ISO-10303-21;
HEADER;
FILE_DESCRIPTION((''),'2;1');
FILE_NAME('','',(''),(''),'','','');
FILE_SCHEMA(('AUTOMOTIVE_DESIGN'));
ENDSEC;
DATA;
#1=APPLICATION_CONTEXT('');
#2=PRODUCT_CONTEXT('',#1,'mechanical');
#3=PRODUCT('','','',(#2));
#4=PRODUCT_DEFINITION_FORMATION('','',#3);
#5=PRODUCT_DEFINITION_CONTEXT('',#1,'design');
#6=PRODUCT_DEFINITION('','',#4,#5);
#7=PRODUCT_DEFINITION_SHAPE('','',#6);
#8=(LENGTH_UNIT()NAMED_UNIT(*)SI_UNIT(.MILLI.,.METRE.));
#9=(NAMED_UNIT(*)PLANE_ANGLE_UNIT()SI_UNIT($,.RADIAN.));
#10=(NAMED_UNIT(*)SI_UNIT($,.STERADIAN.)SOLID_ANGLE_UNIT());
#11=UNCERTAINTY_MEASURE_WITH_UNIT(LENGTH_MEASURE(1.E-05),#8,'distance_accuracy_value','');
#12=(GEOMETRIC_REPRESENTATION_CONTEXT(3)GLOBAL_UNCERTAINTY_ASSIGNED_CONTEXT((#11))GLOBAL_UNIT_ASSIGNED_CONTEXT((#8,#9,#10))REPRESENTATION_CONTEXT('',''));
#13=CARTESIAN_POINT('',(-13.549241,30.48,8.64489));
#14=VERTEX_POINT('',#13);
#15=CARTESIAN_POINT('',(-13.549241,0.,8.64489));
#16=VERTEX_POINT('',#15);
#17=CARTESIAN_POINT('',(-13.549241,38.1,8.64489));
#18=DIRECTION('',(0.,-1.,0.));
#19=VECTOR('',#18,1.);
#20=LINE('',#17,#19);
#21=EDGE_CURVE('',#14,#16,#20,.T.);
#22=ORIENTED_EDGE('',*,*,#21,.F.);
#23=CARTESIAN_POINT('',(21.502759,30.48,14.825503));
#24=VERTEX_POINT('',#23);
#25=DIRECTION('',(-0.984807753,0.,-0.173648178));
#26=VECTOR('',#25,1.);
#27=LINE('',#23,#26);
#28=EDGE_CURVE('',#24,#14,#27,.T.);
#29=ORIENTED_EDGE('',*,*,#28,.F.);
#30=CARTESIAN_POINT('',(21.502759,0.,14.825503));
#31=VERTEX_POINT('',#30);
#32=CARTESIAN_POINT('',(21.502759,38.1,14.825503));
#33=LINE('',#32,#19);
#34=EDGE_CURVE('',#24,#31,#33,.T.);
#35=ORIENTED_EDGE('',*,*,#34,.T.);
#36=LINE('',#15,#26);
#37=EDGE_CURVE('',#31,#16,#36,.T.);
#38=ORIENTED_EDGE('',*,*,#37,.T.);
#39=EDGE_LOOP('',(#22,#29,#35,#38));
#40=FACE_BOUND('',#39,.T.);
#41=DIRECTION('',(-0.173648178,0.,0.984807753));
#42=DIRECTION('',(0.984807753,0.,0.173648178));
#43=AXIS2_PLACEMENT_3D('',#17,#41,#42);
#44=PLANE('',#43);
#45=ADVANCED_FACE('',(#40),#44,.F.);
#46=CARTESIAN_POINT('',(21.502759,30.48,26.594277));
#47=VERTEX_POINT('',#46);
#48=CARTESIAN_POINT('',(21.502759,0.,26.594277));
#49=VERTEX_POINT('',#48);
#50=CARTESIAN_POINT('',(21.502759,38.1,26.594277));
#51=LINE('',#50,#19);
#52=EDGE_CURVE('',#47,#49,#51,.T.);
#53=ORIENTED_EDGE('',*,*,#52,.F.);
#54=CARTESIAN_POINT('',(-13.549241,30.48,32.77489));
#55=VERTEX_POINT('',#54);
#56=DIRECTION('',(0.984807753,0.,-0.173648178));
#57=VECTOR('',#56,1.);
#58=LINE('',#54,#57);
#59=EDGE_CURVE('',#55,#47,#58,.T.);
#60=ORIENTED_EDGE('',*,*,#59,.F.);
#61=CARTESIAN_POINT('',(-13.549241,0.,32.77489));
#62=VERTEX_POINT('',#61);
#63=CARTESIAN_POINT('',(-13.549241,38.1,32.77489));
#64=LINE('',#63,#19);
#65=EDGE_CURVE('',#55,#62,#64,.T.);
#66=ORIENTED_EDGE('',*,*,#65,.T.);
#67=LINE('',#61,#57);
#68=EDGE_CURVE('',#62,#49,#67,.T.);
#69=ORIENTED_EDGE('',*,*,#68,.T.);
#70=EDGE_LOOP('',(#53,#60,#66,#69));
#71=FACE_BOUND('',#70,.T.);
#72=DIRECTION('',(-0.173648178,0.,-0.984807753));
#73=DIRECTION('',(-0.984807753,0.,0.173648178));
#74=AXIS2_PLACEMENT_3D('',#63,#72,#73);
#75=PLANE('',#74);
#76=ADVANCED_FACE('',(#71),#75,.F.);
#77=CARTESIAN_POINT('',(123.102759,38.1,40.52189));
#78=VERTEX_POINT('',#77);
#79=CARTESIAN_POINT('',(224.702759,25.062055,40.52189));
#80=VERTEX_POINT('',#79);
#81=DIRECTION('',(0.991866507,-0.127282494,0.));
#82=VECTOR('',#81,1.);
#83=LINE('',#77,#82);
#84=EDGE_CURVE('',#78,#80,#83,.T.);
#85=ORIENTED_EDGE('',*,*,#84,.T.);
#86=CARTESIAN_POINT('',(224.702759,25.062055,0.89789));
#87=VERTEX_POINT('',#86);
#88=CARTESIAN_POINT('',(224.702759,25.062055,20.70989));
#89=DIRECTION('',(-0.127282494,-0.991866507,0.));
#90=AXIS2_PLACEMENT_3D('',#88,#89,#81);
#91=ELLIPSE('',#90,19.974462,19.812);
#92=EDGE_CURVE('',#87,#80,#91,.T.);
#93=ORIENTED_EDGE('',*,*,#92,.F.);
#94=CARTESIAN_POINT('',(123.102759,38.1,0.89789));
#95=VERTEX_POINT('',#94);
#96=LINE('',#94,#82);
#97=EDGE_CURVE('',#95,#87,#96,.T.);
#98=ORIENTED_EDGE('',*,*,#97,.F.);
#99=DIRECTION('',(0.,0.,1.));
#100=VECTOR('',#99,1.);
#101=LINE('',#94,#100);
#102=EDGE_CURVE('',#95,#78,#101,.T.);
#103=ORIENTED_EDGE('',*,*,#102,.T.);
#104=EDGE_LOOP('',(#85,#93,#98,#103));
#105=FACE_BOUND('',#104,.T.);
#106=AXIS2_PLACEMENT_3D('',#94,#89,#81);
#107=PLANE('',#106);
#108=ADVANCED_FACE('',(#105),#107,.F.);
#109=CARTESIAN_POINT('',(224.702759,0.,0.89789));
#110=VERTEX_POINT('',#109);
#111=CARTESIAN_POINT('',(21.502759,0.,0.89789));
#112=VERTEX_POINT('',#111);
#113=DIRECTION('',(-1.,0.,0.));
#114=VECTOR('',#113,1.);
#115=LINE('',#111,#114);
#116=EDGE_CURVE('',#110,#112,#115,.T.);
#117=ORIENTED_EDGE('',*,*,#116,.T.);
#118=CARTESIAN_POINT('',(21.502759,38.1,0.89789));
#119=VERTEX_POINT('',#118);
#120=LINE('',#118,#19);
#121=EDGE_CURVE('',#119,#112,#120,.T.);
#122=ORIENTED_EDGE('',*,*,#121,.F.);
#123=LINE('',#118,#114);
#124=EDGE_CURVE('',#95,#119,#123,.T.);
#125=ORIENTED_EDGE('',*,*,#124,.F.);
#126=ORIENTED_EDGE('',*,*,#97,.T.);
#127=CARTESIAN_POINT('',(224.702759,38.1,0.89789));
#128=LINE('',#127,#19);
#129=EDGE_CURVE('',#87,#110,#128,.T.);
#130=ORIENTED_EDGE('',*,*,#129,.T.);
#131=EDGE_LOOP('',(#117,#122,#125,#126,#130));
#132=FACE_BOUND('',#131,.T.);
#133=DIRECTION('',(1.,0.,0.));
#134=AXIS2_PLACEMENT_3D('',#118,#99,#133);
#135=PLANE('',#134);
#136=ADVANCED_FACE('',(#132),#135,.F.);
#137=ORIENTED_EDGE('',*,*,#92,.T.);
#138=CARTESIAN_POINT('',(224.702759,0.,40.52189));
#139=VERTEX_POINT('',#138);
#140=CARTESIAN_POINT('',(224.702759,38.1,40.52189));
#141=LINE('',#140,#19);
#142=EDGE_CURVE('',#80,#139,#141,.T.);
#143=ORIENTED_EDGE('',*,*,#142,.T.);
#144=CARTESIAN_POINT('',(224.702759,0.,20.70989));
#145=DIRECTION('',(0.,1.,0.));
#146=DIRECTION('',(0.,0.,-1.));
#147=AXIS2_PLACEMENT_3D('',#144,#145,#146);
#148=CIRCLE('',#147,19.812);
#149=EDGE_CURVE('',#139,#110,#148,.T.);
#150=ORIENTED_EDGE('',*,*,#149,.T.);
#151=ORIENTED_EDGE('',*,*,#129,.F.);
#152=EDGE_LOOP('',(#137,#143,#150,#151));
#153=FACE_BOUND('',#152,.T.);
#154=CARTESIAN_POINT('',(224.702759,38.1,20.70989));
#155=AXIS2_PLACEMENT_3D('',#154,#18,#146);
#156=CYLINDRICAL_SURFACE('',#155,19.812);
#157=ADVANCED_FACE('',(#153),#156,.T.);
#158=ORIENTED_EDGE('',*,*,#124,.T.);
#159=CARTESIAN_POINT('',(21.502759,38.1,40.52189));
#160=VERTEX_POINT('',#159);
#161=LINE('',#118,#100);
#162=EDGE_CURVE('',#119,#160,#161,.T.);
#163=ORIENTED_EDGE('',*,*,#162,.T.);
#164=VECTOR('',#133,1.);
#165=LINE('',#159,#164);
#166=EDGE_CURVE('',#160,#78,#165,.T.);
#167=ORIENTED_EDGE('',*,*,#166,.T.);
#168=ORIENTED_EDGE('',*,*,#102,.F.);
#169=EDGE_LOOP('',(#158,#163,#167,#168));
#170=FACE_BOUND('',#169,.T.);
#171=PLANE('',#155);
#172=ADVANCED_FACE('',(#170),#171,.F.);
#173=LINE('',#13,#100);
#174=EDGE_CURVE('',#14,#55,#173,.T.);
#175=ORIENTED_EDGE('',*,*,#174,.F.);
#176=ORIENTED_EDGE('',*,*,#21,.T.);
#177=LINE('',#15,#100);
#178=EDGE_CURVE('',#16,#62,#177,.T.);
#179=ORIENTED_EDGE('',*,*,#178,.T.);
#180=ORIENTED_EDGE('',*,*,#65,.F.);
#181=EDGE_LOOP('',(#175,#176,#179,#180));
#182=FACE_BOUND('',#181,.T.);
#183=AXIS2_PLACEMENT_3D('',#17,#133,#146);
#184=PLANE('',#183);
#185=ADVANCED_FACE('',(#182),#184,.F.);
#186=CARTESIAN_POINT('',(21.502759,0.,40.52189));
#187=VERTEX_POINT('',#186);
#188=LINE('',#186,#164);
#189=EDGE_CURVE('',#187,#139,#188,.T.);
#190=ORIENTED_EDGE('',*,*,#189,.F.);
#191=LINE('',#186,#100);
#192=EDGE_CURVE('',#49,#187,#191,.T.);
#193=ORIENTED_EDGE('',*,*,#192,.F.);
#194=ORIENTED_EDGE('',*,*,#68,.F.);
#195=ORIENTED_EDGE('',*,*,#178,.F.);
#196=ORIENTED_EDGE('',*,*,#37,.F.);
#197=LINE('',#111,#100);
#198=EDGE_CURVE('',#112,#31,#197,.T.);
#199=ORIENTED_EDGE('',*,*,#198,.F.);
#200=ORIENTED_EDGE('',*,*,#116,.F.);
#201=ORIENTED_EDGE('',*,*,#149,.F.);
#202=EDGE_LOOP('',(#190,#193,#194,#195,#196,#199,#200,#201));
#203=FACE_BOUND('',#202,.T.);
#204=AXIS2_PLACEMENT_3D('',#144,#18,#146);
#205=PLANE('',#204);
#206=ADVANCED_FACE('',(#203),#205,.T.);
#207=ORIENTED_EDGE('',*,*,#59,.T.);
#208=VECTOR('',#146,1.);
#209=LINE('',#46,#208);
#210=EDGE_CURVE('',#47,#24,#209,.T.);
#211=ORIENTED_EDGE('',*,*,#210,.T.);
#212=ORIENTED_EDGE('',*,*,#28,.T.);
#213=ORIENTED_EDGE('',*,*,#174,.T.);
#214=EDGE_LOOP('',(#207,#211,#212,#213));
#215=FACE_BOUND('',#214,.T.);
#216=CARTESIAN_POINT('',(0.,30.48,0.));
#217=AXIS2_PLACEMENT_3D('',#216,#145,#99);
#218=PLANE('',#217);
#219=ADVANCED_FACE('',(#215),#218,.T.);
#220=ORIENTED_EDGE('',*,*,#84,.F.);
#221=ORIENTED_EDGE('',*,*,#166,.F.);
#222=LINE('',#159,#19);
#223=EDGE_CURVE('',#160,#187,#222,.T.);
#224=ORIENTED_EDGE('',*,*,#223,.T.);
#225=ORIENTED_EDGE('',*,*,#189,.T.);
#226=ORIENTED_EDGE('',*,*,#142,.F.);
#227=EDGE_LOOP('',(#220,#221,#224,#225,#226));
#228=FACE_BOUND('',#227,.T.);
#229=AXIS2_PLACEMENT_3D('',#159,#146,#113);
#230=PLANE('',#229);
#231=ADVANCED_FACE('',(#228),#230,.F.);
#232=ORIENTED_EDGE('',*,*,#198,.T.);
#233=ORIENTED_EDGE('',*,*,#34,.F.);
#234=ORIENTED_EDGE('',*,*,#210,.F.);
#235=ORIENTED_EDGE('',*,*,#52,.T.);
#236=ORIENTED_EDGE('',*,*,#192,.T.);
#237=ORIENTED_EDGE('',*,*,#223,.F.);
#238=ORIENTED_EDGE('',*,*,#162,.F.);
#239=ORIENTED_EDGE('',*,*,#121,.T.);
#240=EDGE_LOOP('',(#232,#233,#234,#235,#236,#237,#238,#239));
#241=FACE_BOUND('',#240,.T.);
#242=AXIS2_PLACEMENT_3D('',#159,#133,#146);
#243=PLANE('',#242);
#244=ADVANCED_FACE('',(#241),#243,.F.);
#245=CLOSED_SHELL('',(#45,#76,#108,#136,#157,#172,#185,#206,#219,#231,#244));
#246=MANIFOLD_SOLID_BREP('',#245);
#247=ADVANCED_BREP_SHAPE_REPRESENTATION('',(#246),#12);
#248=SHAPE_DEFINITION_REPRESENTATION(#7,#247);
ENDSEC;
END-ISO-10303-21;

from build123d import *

# Parameters (mm, degrees)
BOSS_EXTRUDE1_DEPTH = 38.1
CUT_EXTRUDE1_DEPTH  = 7.62
CUT_EXTRUDE4_DEPTH  = 39.624


with BuildPart() as part:
    # Sketch2 → Boss-Extrude1 (new body)
    with BuildSketch(Plane(origin=(0, 0, 0), x_dir=(1, 0, 0), z_dir=(0, 1, 0))):
        with BuildLine():
            Line((-13.549240888, -8.64489), (-13.549240888, -32.77489))
            Line((-13.549240888, -32.77489), (21.502759112, -26.594276672))
            Line((21.502759112, -26.594276672), (21.502759112, -40.52189))
            Line((21.502759112, -40.52189), (224.702759112, -40.52189))
            ThreePointArc((224.702759112, -40.52189), (244.514759112, -20.70989), (224.702759112, -0.89789))
            Line((224.702759112, -0.89789), (21.502759112, -0.89789))
            Line((21.502759112, -0.89789), (21.502759112, -14.825503328))
            Line((21.502759112, -14.825503328), (-13.549240888, -8.64489))
        make_face()
    extrude(amount=BOSS_EXTRUDE1_DEPTH)

    # Sketch3 → Cut-Extrude1 (cut)
    with BuildSketch(Plane(origin=(0, 38.1, 0), x_dir=(1, 0, 0), z_dir=(0, 1, 0))):
        Polygon((-13.549240888, -8.64489), (-13.549240888, -32.77489), (21.502759112, -26.594276672), (21.502759112, -14.825503328), align=None)
    extrude(amount=-CUT_EXTRUDE1_DEPTH, mode=Mode.SUBTRACT)

    # Sketch5 → Cut-Extrude4 (cut)
    with BuildSketch(Plane.XY.offset(40.52189)):
        Polygon((123.102759112, 38.1), (244.514759112, 22.519655205), (244.514759112, 38.1), align=None)
    extrude(amount=-CUT_EXTRUDE4_DEPTH, mode=Mode.SUBTRACT)


solid = part.part
